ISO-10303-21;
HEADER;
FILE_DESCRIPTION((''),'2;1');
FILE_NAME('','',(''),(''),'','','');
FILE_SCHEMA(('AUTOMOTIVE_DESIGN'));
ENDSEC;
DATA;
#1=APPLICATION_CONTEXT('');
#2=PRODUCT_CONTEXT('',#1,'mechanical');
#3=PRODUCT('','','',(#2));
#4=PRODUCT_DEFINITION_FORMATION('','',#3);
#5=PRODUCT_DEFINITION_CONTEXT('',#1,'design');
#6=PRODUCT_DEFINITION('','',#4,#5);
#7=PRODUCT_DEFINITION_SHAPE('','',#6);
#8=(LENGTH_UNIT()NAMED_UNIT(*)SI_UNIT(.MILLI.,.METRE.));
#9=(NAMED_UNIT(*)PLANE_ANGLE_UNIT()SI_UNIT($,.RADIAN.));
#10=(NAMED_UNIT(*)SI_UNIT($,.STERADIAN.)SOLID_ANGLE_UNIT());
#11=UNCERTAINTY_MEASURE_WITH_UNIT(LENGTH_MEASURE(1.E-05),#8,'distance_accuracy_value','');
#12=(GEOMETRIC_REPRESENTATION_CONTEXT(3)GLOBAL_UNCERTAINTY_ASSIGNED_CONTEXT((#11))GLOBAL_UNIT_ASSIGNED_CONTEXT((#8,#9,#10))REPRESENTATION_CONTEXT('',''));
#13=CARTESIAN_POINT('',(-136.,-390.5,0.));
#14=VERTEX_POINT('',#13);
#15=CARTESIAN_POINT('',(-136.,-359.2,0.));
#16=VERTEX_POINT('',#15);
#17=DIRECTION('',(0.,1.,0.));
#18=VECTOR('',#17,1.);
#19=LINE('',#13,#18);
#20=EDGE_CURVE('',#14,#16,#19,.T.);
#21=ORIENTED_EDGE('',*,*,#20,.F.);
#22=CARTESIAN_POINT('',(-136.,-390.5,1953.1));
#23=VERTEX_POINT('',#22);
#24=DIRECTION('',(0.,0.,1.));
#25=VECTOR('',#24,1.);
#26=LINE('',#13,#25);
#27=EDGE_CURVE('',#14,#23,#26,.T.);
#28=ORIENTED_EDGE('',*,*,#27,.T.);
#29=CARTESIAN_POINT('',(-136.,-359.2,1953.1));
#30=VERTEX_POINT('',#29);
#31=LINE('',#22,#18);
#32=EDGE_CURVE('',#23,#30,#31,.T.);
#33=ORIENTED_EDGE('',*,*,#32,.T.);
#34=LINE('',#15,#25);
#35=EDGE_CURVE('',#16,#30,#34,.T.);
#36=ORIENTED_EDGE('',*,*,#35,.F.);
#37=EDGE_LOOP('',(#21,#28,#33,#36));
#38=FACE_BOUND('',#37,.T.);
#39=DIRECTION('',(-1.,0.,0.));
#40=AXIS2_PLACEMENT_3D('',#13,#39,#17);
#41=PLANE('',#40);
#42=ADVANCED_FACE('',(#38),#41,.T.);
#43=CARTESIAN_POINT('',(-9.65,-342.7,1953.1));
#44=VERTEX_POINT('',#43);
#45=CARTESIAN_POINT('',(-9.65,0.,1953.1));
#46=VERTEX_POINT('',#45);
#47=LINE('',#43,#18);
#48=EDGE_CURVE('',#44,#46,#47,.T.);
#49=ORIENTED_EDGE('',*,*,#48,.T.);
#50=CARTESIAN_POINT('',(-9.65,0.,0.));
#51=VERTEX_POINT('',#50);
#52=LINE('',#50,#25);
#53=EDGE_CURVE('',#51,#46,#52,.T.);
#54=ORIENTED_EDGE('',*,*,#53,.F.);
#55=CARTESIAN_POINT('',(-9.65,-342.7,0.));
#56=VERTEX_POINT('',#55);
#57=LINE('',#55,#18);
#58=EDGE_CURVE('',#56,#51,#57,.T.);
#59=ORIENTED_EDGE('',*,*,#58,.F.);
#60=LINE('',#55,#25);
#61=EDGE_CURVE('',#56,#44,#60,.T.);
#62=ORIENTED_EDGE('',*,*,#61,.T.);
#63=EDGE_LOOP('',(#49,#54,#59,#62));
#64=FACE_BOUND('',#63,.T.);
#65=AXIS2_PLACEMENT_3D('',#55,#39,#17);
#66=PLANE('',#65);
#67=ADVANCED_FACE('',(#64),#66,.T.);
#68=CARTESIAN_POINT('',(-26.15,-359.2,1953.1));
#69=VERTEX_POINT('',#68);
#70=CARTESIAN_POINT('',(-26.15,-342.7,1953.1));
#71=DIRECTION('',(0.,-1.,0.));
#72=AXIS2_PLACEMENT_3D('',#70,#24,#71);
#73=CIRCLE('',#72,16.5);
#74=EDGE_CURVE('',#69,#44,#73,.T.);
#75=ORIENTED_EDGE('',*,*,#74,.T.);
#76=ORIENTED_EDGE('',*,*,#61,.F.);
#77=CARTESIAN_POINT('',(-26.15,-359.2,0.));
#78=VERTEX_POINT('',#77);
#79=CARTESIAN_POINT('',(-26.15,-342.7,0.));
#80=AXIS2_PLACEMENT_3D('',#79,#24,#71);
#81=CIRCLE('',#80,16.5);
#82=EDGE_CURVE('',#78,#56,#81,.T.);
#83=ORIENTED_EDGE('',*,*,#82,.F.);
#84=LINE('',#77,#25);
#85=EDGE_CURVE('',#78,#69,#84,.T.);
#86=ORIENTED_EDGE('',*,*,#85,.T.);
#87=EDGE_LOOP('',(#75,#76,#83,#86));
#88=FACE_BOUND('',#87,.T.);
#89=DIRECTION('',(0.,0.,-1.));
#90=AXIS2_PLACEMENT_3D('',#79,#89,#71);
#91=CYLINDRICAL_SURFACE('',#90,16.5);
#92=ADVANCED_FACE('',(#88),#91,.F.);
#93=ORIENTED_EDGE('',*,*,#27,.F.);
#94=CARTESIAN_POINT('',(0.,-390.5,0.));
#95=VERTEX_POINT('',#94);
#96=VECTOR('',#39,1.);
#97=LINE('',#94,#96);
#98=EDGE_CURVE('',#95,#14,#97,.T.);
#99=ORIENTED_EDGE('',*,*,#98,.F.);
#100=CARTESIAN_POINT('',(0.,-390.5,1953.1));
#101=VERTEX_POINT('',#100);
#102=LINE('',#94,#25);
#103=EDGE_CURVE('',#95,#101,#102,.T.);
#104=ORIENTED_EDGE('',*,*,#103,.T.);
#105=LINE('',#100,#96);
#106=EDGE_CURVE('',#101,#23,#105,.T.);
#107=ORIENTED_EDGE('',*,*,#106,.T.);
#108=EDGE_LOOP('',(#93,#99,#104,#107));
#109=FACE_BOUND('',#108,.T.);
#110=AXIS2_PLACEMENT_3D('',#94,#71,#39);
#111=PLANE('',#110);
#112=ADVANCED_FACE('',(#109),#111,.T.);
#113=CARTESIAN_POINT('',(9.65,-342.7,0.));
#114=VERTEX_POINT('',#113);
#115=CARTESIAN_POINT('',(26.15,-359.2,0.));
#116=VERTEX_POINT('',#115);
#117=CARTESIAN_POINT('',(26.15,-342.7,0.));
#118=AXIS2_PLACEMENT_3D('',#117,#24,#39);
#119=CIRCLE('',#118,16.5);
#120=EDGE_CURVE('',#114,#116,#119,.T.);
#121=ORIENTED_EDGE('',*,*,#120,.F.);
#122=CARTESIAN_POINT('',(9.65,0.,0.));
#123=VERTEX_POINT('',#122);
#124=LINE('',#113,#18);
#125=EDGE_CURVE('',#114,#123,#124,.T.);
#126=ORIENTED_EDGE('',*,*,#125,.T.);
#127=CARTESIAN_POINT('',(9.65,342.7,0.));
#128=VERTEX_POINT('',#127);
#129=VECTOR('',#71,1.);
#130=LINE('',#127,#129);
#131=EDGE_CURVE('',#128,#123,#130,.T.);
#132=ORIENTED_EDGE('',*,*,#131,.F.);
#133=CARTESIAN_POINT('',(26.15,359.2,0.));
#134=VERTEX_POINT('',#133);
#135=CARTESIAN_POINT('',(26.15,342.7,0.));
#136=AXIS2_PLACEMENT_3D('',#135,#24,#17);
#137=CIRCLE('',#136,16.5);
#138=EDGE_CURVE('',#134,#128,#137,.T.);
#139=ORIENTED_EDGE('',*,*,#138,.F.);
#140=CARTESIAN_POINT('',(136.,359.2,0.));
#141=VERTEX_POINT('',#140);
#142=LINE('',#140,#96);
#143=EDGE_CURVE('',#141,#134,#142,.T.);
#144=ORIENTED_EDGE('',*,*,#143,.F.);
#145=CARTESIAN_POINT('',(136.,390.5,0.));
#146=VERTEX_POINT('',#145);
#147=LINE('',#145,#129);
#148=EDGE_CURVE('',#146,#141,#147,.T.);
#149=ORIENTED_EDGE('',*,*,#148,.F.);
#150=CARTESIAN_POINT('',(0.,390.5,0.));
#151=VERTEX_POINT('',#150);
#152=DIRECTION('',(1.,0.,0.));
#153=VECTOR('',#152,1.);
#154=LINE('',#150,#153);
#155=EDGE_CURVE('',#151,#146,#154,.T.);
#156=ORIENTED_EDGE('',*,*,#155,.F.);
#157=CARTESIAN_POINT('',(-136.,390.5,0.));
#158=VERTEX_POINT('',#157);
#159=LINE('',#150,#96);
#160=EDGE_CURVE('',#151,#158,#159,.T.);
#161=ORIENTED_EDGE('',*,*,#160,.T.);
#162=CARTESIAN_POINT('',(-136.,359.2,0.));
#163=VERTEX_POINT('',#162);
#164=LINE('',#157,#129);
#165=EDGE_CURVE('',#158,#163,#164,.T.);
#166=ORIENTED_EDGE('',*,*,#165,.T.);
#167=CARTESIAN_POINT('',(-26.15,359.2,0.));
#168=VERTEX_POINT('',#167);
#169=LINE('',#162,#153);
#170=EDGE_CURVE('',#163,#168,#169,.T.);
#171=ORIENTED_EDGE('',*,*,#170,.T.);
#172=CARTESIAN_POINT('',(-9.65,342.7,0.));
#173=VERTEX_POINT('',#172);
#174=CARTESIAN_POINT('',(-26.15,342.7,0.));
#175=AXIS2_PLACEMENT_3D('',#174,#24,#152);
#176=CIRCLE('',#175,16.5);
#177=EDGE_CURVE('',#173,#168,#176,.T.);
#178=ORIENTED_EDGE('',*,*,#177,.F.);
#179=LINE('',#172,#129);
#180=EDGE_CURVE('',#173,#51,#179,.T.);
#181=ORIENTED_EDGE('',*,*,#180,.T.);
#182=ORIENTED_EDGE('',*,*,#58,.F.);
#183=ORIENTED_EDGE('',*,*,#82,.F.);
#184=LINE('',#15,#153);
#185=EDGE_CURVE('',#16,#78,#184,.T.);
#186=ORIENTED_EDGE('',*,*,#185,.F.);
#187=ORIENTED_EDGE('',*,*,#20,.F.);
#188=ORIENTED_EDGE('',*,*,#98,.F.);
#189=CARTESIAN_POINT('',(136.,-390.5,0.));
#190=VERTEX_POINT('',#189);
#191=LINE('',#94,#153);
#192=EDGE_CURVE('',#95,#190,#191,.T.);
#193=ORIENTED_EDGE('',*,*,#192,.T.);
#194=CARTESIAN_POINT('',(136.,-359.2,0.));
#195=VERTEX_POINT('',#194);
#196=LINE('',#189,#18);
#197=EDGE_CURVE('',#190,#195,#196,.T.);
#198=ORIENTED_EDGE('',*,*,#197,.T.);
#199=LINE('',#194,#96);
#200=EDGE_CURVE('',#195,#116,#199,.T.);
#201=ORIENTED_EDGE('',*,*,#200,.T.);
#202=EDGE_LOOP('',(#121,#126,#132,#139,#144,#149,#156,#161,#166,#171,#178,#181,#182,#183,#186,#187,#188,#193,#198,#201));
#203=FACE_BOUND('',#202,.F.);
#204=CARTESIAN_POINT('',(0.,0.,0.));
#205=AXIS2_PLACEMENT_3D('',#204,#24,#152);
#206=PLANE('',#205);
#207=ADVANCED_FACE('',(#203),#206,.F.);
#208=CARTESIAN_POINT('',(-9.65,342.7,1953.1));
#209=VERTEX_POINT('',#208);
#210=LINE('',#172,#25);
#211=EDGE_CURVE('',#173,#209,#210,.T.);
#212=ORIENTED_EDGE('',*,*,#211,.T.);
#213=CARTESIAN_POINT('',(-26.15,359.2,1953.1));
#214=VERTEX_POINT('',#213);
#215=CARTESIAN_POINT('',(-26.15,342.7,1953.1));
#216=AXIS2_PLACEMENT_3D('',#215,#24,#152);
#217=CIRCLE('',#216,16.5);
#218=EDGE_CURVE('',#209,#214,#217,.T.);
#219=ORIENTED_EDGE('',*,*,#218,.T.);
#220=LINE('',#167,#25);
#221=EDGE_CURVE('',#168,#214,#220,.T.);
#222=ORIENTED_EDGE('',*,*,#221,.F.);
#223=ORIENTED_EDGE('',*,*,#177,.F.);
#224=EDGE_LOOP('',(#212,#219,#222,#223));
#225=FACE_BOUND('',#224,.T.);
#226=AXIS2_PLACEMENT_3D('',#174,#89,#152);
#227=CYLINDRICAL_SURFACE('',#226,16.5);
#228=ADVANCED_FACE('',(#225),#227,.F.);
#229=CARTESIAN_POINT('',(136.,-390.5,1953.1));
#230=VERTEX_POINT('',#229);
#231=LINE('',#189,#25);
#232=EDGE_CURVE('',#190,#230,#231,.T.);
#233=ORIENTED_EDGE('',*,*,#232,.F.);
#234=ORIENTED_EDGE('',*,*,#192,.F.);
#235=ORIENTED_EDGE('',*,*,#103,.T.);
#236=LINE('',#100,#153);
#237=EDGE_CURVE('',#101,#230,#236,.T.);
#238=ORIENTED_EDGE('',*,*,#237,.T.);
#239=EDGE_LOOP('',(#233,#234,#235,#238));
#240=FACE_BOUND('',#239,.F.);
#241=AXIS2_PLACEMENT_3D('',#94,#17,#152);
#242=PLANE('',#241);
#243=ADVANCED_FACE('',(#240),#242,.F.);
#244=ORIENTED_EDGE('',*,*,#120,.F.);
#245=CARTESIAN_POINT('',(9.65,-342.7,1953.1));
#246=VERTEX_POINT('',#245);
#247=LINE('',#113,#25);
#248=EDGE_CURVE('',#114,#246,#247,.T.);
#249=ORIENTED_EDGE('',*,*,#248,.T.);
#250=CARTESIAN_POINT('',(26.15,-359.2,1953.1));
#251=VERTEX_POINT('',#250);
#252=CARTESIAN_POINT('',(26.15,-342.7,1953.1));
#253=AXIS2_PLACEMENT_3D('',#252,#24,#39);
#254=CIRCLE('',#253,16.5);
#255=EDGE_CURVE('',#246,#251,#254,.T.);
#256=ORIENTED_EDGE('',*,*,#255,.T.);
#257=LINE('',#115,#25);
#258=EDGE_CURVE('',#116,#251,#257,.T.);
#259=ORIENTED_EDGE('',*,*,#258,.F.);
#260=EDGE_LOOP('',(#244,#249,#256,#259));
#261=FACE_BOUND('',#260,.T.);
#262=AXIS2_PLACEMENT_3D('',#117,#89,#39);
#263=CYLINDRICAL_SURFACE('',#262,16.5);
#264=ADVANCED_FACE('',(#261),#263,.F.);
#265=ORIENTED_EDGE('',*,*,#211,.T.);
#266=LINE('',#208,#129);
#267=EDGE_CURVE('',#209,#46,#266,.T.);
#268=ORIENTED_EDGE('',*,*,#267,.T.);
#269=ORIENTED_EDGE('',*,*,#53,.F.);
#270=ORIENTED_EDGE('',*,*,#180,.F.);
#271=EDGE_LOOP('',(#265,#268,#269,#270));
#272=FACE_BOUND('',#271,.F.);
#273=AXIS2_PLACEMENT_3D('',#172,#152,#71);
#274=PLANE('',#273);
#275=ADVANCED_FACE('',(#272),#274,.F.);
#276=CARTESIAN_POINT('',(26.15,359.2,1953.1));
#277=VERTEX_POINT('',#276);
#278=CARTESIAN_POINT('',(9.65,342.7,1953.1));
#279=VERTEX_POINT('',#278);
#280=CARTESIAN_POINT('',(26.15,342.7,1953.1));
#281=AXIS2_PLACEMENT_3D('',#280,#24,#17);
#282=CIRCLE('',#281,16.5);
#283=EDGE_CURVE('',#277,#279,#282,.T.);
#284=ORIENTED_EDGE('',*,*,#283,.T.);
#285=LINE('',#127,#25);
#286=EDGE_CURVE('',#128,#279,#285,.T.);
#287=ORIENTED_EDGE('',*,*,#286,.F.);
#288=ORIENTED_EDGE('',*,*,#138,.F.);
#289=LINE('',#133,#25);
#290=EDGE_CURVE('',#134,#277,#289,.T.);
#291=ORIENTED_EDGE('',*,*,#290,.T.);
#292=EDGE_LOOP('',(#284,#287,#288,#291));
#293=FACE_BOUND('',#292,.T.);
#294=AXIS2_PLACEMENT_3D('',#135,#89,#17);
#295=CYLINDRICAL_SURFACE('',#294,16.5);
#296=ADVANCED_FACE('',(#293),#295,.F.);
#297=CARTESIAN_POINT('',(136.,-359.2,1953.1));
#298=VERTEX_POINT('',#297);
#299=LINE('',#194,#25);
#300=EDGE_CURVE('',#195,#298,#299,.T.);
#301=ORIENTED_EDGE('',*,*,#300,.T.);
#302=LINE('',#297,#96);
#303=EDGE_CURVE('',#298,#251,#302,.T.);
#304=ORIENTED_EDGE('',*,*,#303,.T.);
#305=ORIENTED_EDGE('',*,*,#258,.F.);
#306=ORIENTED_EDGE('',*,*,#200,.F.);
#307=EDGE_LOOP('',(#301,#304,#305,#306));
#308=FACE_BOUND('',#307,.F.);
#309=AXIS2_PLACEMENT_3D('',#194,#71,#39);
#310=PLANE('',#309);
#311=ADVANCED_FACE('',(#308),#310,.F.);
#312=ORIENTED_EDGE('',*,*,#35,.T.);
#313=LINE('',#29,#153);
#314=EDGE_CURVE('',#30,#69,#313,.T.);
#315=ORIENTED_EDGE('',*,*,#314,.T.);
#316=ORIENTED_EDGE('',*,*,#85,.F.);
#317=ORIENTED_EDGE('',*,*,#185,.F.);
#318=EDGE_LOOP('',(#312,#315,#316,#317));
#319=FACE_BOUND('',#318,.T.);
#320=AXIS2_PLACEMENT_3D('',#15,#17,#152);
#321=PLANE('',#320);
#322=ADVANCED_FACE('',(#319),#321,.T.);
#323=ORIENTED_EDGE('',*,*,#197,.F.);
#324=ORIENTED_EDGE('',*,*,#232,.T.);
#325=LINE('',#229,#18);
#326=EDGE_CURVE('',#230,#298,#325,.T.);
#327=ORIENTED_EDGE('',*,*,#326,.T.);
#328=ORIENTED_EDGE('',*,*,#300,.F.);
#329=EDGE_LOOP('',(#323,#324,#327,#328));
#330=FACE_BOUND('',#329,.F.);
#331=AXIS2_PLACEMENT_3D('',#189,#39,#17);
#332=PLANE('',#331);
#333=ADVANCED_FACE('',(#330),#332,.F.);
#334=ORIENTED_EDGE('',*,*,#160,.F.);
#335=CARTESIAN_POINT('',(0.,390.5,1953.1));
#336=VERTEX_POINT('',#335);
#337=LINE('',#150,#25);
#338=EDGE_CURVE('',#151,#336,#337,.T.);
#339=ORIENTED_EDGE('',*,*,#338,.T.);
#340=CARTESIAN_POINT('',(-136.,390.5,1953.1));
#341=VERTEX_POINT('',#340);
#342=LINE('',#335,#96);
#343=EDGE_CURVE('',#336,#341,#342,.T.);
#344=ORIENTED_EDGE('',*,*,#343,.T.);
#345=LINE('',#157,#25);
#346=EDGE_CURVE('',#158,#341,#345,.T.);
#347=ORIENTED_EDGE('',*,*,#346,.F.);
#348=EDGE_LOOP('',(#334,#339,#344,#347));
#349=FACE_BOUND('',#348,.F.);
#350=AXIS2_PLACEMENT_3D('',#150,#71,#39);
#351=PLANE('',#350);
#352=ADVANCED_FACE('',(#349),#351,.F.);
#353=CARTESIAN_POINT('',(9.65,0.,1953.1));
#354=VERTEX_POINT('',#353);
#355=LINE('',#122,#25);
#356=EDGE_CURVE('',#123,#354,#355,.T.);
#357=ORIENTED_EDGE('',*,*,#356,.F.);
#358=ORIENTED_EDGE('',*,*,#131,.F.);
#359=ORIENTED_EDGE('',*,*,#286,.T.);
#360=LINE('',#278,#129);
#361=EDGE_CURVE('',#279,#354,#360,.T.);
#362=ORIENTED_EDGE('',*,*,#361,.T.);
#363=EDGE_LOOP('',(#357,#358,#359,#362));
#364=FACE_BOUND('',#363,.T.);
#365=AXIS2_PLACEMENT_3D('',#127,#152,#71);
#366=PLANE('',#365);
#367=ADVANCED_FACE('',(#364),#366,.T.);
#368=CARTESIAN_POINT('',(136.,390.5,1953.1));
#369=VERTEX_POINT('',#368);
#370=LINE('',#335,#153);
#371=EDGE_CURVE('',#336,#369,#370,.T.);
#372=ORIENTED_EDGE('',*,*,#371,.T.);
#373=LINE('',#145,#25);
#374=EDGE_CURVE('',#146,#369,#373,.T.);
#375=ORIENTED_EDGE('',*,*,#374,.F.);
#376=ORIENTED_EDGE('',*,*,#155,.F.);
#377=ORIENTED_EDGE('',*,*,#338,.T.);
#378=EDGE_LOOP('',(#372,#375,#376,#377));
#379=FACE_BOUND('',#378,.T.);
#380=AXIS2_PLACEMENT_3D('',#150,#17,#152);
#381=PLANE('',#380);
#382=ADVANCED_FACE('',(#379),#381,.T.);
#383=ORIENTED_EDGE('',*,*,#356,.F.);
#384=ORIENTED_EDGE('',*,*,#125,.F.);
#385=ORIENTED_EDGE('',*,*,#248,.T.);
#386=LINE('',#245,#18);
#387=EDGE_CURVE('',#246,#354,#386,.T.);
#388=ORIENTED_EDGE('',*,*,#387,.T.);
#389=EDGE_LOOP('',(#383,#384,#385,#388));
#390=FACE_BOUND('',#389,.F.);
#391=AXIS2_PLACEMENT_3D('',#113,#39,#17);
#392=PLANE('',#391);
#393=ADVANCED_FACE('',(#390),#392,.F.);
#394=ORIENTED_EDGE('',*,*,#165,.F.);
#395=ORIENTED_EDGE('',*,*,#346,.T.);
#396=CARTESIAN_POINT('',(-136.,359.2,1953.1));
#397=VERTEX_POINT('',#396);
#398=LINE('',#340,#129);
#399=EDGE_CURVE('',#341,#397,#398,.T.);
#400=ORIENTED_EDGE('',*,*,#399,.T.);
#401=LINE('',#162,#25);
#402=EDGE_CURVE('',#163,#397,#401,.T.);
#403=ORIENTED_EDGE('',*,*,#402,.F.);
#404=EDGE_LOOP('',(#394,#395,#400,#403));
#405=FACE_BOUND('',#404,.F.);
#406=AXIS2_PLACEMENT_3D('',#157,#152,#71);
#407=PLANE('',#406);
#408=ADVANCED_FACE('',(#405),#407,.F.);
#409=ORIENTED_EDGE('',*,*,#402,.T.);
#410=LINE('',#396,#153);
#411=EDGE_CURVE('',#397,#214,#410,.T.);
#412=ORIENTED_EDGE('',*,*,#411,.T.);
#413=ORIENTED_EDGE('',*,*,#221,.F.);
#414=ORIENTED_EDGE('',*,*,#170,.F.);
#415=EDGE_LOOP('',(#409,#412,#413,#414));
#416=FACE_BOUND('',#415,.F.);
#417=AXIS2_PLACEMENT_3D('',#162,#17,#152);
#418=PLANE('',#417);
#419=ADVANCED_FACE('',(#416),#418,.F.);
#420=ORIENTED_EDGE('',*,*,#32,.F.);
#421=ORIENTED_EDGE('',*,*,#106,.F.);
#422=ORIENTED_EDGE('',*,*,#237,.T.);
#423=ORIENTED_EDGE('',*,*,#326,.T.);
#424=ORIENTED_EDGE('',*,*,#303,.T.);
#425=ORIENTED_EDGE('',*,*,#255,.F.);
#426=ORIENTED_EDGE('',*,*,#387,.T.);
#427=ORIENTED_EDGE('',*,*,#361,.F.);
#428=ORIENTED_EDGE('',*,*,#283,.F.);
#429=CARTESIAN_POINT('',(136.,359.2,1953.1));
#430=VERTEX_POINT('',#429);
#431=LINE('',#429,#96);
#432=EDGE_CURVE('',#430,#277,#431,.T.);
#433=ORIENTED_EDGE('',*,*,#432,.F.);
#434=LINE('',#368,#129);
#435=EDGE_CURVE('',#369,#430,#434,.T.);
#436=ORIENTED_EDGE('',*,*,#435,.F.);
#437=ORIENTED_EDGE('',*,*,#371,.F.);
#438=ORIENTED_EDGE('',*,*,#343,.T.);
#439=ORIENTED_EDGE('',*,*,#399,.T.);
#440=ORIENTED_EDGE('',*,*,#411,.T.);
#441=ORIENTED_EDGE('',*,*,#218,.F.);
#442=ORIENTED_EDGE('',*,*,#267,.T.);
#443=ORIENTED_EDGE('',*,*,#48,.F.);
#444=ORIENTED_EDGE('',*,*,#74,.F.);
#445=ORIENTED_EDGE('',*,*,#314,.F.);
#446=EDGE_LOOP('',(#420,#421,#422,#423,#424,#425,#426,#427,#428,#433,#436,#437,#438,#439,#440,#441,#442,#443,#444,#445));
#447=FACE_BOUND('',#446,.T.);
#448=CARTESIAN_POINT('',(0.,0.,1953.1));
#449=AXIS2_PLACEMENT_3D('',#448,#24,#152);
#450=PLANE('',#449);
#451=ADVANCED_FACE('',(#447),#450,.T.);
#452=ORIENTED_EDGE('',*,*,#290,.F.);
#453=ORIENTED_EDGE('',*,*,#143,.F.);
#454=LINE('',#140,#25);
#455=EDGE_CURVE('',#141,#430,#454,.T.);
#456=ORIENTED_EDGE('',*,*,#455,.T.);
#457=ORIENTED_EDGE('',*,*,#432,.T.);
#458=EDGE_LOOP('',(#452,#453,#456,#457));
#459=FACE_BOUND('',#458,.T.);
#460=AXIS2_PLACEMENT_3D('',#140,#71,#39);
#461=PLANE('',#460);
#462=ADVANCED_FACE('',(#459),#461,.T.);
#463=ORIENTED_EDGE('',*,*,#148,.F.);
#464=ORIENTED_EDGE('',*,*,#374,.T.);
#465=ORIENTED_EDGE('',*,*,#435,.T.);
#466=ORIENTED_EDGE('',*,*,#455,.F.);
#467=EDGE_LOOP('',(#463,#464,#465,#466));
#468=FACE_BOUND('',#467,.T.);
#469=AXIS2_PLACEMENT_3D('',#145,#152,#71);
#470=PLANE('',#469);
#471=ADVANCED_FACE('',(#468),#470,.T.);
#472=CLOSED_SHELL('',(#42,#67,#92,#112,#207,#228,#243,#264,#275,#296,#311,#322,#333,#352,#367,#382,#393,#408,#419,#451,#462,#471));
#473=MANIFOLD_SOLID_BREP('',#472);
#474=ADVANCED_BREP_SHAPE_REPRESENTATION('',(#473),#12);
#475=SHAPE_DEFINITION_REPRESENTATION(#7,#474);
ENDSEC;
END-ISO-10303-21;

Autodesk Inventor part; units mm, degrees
ref_plane "YZ Plane" through (0, 0, 0) normal (1, 0, 0) x (0, 1, 0)
ref_plane "Start plane" through (0, 0, 0) normal (0, 0, 1) x (1, 0, 0)
ref_plane "End plane" through (0, 0, 1953.1) normal (0, 0, 1) x (1, 0, 0)
sketch "Sketch" plane through (0, 0, 0) normal (0, 0, 1) x (1, 0, 0)
  line L0 (-136, -390.5) -> (-136, -359.2)
  line L1 (-136, -359.2) -> (-26.15, -359.2)
  line L2 (-9.65, -342.7) -> (-9.65, 0)
  line L3 (-9.65, 0) -> (0, 0) construction
  line L4 (0, 0) -> (0, -390.5) construction
  line L5 (0, -390.5) -> (-136, -390.5)
  line L6 (-60, 0) -> (80, 0) construction
  line L7 (0, -60) -> (0, 80) construction
  line L8 (136, -390.5) -> (136, -359.2)
  line L9 (136, -359.2) -> (26.15, -359.2)
  line L10 (9.65, -342.7) -> (9.65, 0)
  line L11 (9.65, 0) -> (0, 0) construction
  line L12 (0, -390.5) -> (136, -390.5)
  line L13 (-136, 390.5) -> (-136, 359.2)
  line L14 (-136, 359.2) -> (-26.15, 359.2)
  line L15 (-9.65, 342.7) -> (-9.65, 0)
  line L16 (0, 390.5) -> (-136, 390.5)
  line L17 (136, 390.5) -> (136, 359.2)
  line L18 (136, 359.2) -> (26.15, 359.2)
  line L19 (0, 390.5) -> (136, 390.5)
  line L20 (9.65, 342.7) -> (9.65, 0)
  arc A0 (-9.65, 342.7) -> (-26.15, 359.2) centre (-26.15, 342.7) ccw
  arc A1 (26.15, 359.2) -> (9.65, 342.7) centre (26.15, 342.7) ccw
  arc A2 (9.65, -342.7) -> (26.15, -359.2) centre (26.15, -342.7) ccw
  arc A3 (-26.15, -359.2) -> (-9.65, -342.7) centre (-26.15, -342.7) ccw
  line L21 (0, 108) -> (0, -88) construction
  line L22 (-88, 0) -> (108, 0) construction
  point P0 (-9.65, -359.2)
  point P1 (9.65, -359.2)
  point P2 (-9.65, 359.2)
  point P3 (9.65, 359.2)
  dimension "d1" = 390.5
  dimension "d2" = 31.3
  dimension "d3" = 136
  dimension "d4" = 9.65
  dimension "d10" = 16.5
extrude "Body" add sketch "Sketch" along normal up to surface (1953.1 mm away) from surface at 0
sketch "Sketch4" plane through (0, 0, 0) normal (0, 0, 1) x (1, 0, 0)
  line L0 (0, 0) -> (10, 0)
ref_plane "Work Plane3" through (0, 0, 0) normal (0, -1, 0) x (1, 0, 0)
sketch "Sketch5" plane through (0, 0, 0) normal (0, -1, 0) x (1, 0, 0)
  line L0 (-2, 0) -> (12, 0) projected
  line L1 (-2, 1953.1) -> (12, 1953.1) projected
  dimension "d14" = 1953.1
equation "\"d1\" = 0.5 * G_H"
equation "\"d2\" = G_T1"
equation "\"d3\" = 0.5 * G_W"
equation "\"d4\" = 0.5 * G_T"
equation "\"d10\" = G_IR"
equation "\"d5\" = G_L"
equation "\"G_W\" = 272"
equation "\"G_H\" = 781"
equation "\"G_T\" = 19.3"
equation "\"G_T1\" = 31.3"
equation "\"G_IR\" = 16.5"
equation "\"G_L\" = d14"
equation "\"G_OFFSET_START\" = 0"
equation "\"G_OFFSET_END\" = 0"
equation "\"d12\" = G_OFFSET_END + B_L"
equation "\"B_L\" = 1953.1"
properties part number "AS 3679-1990 - 760 UB - 244 - 1953.1" material "Steel, Mild"
